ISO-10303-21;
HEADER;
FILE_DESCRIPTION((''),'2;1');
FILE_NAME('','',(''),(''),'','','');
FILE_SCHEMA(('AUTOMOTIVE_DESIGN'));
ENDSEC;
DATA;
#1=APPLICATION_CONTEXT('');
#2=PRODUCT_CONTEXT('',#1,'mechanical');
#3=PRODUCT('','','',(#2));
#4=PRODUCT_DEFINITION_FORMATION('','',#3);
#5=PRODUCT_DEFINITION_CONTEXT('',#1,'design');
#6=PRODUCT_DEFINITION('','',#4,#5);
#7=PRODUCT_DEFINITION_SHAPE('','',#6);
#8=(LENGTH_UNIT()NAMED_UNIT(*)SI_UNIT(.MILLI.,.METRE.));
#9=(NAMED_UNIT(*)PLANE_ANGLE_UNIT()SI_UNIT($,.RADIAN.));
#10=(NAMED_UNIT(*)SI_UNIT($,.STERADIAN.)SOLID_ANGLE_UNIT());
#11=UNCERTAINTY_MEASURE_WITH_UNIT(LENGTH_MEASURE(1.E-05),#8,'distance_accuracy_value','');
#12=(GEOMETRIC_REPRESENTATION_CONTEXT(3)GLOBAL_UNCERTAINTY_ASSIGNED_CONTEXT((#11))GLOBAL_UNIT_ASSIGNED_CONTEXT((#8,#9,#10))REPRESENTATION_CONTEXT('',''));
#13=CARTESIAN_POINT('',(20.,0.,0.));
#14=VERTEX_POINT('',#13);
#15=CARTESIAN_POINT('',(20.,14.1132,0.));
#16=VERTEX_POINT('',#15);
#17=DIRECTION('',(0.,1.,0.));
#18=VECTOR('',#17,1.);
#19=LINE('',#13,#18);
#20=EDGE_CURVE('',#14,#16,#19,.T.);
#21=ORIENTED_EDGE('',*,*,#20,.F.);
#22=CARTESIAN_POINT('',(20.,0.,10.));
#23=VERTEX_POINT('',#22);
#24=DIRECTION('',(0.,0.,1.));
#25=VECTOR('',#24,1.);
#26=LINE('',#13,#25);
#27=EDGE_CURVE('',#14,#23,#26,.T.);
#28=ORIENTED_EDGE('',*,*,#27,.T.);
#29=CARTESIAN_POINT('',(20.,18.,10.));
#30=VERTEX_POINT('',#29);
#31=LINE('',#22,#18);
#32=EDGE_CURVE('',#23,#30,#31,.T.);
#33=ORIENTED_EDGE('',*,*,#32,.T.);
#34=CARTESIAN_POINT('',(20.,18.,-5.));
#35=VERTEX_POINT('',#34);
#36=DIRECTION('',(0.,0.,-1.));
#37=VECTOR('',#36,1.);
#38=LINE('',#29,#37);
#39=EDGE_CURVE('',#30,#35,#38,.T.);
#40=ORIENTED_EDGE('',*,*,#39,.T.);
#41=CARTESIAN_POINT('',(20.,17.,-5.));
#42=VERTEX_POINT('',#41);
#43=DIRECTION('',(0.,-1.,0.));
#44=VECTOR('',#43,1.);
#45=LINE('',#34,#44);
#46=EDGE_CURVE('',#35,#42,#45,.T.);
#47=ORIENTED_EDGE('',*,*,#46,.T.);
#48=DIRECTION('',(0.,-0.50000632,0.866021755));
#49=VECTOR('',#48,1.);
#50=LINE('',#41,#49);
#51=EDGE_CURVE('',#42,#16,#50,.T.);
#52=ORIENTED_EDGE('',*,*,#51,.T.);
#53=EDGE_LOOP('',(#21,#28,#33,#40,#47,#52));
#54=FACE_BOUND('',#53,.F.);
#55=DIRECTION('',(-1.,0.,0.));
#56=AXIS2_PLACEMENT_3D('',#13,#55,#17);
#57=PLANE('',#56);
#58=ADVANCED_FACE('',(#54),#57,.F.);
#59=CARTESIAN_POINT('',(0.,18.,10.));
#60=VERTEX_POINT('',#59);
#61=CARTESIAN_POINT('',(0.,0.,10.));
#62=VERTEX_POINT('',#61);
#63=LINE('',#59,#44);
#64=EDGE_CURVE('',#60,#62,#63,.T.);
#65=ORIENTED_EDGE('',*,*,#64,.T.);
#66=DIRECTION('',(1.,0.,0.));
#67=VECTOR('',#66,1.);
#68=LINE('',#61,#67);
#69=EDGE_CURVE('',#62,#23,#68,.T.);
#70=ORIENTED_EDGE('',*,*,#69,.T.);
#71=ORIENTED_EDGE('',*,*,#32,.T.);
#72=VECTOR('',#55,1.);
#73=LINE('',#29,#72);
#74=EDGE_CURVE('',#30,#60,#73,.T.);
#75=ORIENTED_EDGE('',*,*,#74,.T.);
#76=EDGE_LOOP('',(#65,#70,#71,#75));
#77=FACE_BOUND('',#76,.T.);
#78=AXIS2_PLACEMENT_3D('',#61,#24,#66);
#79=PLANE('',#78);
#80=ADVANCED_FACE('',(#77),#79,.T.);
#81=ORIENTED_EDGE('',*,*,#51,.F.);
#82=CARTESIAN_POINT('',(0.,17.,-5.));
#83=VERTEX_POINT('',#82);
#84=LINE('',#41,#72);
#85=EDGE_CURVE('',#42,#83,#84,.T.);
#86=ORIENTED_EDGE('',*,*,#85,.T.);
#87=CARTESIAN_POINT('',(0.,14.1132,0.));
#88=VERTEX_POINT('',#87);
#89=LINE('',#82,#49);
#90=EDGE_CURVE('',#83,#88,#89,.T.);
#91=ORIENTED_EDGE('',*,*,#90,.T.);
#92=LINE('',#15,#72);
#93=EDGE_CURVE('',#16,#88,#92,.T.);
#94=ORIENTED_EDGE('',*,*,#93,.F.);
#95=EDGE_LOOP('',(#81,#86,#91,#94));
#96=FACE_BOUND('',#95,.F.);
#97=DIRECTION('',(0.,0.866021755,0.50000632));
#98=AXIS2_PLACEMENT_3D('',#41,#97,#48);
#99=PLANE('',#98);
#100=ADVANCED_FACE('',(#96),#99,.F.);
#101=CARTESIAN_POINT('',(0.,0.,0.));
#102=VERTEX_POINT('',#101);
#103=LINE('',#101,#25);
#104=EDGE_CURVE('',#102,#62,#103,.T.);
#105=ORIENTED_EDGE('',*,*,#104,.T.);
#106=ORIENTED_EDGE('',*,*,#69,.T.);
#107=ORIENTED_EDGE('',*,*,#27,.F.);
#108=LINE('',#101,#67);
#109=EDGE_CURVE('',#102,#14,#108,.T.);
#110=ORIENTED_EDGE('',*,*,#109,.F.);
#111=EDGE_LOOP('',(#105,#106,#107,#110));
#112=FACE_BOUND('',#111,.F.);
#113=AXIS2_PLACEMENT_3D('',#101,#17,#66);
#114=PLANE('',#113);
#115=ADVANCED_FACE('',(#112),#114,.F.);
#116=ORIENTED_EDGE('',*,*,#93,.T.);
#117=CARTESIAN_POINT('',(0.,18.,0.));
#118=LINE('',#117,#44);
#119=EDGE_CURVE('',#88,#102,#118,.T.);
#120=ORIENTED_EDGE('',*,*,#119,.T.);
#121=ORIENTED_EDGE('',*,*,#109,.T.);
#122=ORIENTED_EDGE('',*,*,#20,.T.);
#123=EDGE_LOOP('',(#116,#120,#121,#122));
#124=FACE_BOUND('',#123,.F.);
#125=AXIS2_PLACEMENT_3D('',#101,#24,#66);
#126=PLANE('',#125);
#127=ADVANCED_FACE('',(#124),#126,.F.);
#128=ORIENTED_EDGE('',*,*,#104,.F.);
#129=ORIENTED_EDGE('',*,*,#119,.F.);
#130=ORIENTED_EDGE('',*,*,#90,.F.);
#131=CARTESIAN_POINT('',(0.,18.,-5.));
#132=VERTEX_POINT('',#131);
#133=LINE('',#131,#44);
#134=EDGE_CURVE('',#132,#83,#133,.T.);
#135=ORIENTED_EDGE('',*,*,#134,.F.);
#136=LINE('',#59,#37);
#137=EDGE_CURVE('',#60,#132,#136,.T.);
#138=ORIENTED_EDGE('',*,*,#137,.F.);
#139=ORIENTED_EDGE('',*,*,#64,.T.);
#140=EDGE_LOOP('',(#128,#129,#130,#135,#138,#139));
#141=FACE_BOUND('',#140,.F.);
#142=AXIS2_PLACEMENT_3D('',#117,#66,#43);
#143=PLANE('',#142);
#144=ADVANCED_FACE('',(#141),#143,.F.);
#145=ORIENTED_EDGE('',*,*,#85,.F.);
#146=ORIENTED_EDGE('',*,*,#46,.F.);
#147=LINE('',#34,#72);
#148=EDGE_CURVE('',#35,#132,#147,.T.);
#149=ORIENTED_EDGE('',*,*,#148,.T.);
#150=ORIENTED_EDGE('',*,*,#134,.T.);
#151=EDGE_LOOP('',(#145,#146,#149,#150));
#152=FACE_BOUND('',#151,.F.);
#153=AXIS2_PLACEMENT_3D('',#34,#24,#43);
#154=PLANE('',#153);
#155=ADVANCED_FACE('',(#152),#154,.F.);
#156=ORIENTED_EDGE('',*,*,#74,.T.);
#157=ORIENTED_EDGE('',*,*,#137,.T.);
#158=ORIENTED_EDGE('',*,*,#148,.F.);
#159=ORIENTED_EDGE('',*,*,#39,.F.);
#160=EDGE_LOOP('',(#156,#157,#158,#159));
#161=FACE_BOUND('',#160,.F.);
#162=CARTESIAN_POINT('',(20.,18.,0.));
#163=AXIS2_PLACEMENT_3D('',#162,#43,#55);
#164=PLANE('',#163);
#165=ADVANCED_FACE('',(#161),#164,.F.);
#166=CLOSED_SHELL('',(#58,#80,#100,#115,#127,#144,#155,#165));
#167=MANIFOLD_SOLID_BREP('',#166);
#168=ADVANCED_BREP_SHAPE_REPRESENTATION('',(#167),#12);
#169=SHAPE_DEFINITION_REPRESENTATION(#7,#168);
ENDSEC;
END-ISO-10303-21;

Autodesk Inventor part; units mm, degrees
ref_plane "YZ Plane" through (0, 0, 0) normal (1, 0, 0) x (0, 1, 0)
ref_plane "XZ Plane" through (0, 0, 0) normal (0, 1, 0) x (-1, 0, 0)
ref_plane "XY Plane" through (0, 0, 0) normal (0, 0, 1) x (1, 0, 0)
sketch "Sketch1" plane through (0, 0, 0) normal (0, 0, 1) x (1, 0, 0)
  line L0 (0, 0) -> (20, 0)
  line L1 (20, 0) -> (20, 18)
  line L2 (20, 18) -> (0, 18)
  line L3 (0, 18) -> (0, 0)
  dimension "d0" = 20
  dimension "d1" = 18
extrude "Extrusion1" add sketch "Sketch1" along normal blind 10
sketch "Sketch2" plane through (20, 0, 0) normal (1, 0, 0) x (0, 0, -1)
  line L0 (0, 0) -> (0, 18) projected
  line L1 (0, 18) -> (5, 18)
  line L2 (5, 18) -> (5, 17)
  line L3 (5, 17) -> (0, 14.1132)
  dimension "d4" = 5
  dimension "d5" = 60
  dimension "d6" = 1
extrude "Extrusion2" add sketch "Sketch2" against normal up to surface (20 mm away)
properties part number "TNS-3-cover"
